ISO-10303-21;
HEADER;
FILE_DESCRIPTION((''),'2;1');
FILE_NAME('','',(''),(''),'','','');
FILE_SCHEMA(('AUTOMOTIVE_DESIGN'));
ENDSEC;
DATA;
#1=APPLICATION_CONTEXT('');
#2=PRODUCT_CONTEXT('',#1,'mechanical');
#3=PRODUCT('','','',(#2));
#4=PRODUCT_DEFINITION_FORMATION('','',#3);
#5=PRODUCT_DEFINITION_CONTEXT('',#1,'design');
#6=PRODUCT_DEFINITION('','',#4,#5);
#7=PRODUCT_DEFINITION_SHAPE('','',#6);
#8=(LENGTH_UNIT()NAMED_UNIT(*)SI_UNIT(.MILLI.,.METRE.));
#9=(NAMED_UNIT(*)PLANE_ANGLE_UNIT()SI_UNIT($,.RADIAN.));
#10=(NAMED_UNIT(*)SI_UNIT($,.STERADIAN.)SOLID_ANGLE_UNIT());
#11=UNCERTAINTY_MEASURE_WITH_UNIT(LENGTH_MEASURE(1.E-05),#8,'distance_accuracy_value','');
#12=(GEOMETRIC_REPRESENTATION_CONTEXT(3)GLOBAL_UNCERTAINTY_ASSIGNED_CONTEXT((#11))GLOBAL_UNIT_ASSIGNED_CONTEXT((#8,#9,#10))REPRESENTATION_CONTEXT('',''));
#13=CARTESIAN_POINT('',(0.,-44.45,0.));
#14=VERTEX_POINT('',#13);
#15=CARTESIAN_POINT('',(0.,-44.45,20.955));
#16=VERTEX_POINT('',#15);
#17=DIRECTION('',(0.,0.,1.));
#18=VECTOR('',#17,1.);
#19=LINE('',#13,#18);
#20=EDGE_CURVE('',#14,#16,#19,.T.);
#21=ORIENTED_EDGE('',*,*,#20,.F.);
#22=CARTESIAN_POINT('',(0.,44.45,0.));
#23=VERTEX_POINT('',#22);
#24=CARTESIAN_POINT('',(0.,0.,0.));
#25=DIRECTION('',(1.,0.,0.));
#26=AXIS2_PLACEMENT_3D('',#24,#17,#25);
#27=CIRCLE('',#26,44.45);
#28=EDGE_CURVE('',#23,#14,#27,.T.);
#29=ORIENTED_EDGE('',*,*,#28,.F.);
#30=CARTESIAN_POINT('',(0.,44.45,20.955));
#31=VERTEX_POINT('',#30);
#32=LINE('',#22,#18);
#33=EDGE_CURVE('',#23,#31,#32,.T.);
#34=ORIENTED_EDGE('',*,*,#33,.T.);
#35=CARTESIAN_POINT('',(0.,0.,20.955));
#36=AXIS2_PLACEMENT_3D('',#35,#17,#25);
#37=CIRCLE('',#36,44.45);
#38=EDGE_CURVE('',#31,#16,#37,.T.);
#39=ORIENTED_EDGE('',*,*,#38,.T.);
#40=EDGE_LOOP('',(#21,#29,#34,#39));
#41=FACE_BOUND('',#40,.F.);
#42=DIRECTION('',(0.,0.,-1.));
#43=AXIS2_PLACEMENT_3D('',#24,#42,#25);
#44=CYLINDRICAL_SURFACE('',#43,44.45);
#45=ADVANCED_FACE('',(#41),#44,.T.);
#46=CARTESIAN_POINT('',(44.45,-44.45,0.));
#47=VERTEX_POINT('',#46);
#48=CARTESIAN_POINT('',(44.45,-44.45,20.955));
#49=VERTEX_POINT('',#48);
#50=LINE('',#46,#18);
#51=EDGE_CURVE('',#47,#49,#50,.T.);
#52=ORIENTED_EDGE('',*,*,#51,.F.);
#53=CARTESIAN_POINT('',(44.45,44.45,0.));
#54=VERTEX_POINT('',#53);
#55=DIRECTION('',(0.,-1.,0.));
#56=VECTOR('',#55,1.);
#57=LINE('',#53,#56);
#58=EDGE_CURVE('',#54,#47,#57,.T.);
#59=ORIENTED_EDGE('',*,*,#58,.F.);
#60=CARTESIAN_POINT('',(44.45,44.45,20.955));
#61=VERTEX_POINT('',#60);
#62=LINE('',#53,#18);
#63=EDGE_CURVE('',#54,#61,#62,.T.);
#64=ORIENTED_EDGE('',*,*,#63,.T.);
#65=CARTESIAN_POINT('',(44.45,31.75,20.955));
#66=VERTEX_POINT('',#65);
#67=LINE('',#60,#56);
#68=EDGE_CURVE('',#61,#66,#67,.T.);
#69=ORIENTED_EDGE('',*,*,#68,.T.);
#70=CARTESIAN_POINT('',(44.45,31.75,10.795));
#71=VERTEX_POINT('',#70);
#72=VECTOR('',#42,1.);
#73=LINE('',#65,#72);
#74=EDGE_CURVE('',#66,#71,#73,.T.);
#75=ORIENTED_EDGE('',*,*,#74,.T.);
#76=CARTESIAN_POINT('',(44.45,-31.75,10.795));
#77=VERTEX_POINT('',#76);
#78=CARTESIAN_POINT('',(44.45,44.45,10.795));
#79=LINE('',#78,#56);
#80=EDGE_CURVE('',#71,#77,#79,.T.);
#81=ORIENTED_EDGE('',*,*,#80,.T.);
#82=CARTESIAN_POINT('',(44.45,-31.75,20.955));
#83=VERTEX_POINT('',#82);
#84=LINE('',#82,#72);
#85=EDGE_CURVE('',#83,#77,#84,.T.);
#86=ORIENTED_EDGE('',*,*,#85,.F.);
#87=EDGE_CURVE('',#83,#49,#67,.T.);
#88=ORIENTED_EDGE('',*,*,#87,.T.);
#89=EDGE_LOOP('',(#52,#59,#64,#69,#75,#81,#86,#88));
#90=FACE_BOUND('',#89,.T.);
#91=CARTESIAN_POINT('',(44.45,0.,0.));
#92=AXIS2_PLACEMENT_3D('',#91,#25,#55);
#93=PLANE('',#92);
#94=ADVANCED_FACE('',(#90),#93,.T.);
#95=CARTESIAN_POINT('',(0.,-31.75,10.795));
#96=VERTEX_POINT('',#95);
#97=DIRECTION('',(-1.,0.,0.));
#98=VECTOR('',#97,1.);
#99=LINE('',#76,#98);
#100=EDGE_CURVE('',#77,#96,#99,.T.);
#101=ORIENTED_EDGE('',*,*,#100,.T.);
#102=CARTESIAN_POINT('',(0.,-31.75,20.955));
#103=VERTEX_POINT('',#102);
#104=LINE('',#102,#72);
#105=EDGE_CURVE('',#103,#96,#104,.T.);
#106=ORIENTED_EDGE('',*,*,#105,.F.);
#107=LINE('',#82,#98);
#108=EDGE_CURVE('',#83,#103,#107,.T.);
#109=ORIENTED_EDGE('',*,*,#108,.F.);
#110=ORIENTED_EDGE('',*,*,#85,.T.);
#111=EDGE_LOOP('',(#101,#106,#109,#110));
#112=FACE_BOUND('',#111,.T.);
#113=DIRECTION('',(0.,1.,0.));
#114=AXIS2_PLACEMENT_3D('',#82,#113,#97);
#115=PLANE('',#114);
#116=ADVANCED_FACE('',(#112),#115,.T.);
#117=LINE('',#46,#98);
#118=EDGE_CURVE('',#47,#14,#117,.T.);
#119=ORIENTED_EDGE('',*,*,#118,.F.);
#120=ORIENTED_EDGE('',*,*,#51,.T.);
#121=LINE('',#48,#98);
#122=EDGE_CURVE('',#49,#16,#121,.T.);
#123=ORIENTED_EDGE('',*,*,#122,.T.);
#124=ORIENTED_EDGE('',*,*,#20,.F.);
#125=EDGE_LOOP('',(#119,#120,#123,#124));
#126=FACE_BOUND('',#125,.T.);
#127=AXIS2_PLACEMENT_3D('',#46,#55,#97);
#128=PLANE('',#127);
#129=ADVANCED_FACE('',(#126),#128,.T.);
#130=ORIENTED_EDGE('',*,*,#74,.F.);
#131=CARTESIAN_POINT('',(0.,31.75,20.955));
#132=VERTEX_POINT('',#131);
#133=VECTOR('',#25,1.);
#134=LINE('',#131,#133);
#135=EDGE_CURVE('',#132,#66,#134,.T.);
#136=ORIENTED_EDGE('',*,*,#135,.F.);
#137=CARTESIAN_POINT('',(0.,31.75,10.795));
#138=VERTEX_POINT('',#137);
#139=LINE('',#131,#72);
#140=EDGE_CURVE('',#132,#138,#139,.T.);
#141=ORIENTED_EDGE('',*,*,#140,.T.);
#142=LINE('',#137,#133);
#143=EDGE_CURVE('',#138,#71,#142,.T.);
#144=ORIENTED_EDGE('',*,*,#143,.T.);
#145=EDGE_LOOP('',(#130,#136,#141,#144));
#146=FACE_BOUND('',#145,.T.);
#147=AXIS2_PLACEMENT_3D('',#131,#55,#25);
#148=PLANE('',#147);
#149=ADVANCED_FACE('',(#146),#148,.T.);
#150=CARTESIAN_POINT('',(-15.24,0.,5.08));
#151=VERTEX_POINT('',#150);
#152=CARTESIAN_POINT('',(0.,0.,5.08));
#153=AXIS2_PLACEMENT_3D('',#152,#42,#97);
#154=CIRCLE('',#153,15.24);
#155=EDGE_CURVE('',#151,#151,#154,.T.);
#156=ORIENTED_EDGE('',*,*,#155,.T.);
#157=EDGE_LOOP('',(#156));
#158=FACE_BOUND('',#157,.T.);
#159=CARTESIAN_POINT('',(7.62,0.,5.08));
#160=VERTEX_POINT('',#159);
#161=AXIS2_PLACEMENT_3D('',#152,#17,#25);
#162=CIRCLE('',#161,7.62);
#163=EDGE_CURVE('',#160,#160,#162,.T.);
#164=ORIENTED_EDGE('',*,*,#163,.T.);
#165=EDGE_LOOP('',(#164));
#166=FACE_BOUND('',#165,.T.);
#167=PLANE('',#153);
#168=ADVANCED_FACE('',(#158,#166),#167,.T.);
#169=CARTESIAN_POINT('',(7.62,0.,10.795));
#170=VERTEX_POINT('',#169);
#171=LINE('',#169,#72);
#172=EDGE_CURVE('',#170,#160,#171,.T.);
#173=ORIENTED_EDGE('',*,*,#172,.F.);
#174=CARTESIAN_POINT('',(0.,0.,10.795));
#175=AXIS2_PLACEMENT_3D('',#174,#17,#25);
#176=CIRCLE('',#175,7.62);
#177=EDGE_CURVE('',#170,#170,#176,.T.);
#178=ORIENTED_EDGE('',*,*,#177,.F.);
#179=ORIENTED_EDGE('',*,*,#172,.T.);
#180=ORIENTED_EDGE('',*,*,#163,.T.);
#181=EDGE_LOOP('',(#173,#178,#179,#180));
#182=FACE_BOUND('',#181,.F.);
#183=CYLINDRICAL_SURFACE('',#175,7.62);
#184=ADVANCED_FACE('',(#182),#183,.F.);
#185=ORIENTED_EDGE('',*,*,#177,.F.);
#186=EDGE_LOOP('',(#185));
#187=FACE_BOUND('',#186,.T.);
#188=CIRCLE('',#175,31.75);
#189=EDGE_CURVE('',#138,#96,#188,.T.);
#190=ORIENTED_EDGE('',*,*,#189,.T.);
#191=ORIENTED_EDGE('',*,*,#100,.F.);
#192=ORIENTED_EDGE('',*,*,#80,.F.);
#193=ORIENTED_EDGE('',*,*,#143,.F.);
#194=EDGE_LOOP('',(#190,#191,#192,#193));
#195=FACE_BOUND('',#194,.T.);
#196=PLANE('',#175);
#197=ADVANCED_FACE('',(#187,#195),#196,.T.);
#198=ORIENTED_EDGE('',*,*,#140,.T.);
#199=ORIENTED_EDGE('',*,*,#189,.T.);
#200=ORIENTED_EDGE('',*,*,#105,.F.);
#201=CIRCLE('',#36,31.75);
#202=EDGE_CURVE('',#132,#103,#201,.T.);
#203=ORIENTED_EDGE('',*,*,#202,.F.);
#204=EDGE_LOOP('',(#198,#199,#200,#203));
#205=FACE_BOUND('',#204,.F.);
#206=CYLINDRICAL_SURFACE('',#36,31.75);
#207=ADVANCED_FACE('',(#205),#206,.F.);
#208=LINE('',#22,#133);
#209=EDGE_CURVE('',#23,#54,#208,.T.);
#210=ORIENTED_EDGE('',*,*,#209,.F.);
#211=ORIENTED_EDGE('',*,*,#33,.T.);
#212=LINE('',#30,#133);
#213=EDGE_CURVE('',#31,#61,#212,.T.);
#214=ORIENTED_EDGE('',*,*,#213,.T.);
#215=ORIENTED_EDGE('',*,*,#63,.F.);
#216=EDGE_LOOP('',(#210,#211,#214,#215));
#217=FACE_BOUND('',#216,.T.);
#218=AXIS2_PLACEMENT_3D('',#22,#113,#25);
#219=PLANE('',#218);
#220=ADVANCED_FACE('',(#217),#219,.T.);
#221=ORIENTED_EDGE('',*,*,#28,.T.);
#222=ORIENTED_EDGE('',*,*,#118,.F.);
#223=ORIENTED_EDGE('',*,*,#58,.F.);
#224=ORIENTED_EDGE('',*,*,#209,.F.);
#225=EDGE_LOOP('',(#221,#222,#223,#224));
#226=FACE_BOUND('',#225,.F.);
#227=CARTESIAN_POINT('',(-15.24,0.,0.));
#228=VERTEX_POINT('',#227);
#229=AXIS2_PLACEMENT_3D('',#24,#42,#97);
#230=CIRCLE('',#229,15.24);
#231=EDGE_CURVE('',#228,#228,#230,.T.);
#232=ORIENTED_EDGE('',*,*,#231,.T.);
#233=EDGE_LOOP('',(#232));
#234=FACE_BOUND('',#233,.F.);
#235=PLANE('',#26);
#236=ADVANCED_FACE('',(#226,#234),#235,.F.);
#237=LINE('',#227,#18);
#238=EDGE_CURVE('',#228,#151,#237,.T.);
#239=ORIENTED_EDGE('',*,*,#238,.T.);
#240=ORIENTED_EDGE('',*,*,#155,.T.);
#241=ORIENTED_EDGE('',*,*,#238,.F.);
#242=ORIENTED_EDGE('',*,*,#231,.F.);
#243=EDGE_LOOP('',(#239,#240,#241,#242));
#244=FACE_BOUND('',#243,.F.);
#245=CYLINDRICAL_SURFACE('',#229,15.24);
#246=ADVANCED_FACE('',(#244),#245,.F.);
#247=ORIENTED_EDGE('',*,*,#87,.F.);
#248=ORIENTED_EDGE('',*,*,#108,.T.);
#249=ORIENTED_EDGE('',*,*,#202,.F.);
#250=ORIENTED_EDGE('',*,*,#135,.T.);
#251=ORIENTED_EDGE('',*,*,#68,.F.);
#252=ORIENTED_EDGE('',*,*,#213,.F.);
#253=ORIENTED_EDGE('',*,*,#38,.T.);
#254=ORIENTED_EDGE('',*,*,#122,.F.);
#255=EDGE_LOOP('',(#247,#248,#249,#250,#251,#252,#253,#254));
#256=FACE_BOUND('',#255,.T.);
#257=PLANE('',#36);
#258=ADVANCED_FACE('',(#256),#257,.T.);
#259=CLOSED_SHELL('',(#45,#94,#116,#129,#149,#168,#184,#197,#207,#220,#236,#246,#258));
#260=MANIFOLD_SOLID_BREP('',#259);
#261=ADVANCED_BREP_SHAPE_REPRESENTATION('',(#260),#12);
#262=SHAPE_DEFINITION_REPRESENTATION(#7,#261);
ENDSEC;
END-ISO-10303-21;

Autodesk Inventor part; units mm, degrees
ref_plane "YZ Plane" through (0, 0, 0) normal (1, 0, 0) x (0, 1, 0)
ref_plane "XZ Plane" through (0, 0, 0) normal (0, 1, 0) x (-1, 0, 0)
ref_plane "XY Plane" through (0, 0, 0) normal (0, 0, 1) x (1, 0, 0)
sketch "Sketch1" plane through (0, 0, 0) normal (0, 0, 1) x (1, 0, 0)
  circle A0 centre (0, 0) radius 44.45
  line L0 (0, 44.45) -> (44.45, 44.45)
  line L1 (44.45, 44.45) -> (44.45, -44.45)
  line L2 (44.45, -44.45) -> (0, -44.45)
  line L3 (0, -44.45) -> (0, 44.45)
  dimension "d0" = 88.9
  dimension "d1" = 44.45
  dimension "d2" = 88.9
extrude "Extrusion1" add sketch "Sketch1" along normal blind 20.955
sketch "Sketch2" plane through (0, 0, 20.955) normal (0, 0, 1) x (1, 0, 0)
  arc A0 (0, 44.45) -> (0, -44.45) centre (0, 0) ccw projected
  circle A1 centre (0, 0) radius 31.75
  line L0 (44.45, 44.45) -> (44.45, -44.45) projected
  line L1 (0, 31.75) -> (44.45, 31.75)
  line L2 (44.45, 31.75) -> (44.45, -31.75)
  line L3 (44.45, -31.75) -> (0, -31.75)
  line L4 (0, -31.75) -> (0, 31.75)
  dimension "d5" = 63.5
  dimension "d6" = 63.5
  dimension "d7" = 44.45
extrude "Extrusion2" cut sketch "Sketch2" against normal blind 10.16
sketch "Sketch3" plane through (0, 0, 10.795) normal (0, 0, 1) x (1, 0, 0)
  circle A0 centre (0, 0) radius 7.62
  dimension "d10" = 15.24
extrude "Extrusion3" cut sketch "Sketch3" against normal through all
sketch "Sketch4" plane through (0, 0, 0) normal (0, 0, -1) x (-1, 0, 0)
  circle A0 centre (0, 0) radius 15.24
  dimension "d13" = 30.48
extrude "Extrusion4" cut sketch "Sketch4" against normal blind 5.08
equation "\"d1\" = 0.5 * d0"
equation "\"d2\" = d0"
equation "\"d6\" = d5"
properties part number "Chain Guard rear arm"
